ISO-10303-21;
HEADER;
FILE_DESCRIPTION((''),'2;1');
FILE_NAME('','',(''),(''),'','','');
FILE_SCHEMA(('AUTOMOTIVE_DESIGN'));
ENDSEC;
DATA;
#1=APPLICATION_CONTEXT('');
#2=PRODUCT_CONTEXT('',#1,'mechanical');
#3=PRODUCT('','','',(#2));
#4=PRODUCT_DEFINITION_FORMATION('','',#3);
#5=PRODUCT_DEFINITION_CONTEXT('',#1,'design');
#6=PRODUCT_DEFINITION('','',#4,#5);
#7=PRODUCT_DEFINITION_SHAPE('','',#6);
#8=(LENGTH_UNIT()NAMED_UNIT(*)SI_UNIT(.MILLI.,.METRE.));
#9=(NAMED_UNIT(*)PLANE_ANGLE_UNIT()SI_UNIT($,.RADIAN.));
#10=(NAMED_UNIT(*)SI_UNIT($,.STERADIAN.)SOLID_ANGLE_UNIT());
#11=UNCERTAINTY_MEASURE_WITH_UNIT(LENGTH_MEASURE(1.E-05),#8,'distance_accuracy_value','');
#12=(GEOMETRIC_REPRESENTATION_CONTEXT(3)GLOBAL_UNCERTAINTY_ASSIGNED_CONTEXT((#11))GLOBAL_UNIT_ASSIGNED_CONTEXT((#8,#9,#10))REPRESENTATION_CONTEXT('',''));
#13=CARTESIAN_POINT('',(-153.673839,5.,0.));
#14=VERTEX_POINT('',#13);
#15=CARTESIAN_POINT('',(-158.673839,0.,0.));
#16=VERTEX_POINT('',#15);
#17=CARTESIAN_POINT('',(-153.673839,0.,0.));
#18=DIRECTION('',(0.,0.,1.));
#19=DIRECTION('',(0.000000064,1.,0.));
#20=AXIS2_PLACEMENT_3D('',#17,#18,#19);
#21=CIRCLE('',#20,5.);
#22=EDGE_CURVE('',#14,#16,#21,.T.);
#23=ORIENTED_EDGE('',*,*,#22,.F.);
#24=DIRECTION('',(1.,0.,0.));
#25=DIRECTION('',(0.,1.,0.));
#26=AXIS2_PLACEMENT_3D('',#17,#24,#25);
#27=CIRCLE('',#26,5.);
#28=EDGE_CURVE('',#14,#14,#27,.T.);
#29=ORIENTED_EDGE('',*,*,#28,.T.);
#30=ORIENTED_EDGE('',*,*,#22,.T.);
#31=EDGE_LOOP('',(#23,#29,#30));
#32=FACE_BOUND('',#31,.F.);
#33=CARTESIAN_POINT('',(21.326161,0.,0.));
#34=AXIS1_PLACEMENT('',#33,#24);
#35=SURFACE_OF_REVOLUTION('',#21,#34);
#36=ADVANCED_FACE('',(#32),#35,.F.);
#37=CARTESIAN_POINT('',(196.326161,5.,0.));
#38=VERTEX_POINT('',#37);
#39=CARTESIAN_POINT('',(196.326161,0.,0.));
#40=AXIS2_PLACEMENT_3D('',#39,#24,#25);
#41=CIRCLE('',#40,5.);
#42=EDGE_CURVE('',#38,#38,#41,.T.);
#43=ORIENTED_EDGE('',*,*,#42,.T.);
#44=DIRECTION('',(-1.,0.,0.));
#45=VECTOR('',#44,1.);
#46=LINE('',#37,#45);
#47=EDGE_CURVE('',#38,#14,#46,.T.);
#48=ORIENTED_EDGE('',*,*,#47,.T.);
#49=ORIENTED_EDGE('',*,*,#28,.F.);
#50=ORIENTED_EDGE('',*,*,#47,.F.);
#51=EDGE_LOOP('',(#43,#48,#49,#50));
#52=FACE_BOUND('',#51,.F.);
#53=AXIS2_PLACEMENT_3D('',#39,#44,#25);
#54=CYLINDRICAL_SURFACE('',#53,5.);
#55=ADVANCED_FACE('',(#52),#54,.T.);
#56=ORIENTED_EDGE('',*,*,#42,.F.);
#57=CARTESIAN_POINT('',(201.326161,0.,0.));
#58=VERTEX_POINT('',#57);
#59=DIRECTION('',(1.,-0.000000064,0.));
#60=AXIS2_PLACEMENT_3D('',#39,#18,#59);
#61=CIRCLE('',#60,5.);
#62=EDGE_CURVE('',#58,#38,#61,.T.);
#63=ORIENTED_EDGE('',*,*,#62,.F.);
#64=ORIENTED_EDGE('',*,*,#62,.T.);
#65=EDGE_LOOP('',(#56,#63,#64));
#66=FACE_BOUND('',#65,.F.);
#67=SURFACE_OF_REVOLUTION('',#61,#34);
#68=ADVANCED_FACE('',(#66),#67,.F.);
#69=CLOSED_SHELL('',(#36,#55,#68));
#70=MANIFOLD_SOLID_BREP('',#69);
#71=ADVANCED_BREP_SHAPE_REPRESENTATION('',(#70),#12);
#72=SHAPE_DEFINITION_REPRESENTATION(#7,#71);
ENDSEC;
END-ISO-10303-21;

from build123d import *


with BuildPart() as f1:
    # F0 (on Top) → F1 (revolve)
    with BuildSketch(Plane.XY):
        with BuildLine():
            ThreePointArc((-153.673839, 5), (-150.138305, 3.535534), (-148.673839, 0))
            Line((-148.673839, 0), (191.326161, 0))
            ThreePointArc((191.326161, 0), (192.790627, 3.535534), (196.326161, 5))
            Line((196.326161, 5), (-153.673839, 5))
        make_face()
        with BuildLine():
            Line((-158.673839, 0), (-153.673839, 0))
            Line((-153.673839, 0), (-148.673839, 0))
            ThreePointArc((-148.673839, 0), (-150.138305, 3.535534), (-153.673839, 5))
            ThreePointArc((-153.673839, 5), (-157.209373, 3.535534), (-158.673839, 0))
        make_face()
        with BuildLine():
            ThreePointArc((196.326161, 5), (192.790627, 3.535534), (191.326161, 0))
            Line((191.326161, 0), (196.326161, 0))
            Line((196.326161, 0), (201.326161, 0))
            ThreePointArc((201.326161, 0), (199.861695, 3.535534), (196.326161, 5))
        make_face()
    revolve(axis=Axis((21.326161, 0, 0), (1, 0, 0)))


solid = f1.part
